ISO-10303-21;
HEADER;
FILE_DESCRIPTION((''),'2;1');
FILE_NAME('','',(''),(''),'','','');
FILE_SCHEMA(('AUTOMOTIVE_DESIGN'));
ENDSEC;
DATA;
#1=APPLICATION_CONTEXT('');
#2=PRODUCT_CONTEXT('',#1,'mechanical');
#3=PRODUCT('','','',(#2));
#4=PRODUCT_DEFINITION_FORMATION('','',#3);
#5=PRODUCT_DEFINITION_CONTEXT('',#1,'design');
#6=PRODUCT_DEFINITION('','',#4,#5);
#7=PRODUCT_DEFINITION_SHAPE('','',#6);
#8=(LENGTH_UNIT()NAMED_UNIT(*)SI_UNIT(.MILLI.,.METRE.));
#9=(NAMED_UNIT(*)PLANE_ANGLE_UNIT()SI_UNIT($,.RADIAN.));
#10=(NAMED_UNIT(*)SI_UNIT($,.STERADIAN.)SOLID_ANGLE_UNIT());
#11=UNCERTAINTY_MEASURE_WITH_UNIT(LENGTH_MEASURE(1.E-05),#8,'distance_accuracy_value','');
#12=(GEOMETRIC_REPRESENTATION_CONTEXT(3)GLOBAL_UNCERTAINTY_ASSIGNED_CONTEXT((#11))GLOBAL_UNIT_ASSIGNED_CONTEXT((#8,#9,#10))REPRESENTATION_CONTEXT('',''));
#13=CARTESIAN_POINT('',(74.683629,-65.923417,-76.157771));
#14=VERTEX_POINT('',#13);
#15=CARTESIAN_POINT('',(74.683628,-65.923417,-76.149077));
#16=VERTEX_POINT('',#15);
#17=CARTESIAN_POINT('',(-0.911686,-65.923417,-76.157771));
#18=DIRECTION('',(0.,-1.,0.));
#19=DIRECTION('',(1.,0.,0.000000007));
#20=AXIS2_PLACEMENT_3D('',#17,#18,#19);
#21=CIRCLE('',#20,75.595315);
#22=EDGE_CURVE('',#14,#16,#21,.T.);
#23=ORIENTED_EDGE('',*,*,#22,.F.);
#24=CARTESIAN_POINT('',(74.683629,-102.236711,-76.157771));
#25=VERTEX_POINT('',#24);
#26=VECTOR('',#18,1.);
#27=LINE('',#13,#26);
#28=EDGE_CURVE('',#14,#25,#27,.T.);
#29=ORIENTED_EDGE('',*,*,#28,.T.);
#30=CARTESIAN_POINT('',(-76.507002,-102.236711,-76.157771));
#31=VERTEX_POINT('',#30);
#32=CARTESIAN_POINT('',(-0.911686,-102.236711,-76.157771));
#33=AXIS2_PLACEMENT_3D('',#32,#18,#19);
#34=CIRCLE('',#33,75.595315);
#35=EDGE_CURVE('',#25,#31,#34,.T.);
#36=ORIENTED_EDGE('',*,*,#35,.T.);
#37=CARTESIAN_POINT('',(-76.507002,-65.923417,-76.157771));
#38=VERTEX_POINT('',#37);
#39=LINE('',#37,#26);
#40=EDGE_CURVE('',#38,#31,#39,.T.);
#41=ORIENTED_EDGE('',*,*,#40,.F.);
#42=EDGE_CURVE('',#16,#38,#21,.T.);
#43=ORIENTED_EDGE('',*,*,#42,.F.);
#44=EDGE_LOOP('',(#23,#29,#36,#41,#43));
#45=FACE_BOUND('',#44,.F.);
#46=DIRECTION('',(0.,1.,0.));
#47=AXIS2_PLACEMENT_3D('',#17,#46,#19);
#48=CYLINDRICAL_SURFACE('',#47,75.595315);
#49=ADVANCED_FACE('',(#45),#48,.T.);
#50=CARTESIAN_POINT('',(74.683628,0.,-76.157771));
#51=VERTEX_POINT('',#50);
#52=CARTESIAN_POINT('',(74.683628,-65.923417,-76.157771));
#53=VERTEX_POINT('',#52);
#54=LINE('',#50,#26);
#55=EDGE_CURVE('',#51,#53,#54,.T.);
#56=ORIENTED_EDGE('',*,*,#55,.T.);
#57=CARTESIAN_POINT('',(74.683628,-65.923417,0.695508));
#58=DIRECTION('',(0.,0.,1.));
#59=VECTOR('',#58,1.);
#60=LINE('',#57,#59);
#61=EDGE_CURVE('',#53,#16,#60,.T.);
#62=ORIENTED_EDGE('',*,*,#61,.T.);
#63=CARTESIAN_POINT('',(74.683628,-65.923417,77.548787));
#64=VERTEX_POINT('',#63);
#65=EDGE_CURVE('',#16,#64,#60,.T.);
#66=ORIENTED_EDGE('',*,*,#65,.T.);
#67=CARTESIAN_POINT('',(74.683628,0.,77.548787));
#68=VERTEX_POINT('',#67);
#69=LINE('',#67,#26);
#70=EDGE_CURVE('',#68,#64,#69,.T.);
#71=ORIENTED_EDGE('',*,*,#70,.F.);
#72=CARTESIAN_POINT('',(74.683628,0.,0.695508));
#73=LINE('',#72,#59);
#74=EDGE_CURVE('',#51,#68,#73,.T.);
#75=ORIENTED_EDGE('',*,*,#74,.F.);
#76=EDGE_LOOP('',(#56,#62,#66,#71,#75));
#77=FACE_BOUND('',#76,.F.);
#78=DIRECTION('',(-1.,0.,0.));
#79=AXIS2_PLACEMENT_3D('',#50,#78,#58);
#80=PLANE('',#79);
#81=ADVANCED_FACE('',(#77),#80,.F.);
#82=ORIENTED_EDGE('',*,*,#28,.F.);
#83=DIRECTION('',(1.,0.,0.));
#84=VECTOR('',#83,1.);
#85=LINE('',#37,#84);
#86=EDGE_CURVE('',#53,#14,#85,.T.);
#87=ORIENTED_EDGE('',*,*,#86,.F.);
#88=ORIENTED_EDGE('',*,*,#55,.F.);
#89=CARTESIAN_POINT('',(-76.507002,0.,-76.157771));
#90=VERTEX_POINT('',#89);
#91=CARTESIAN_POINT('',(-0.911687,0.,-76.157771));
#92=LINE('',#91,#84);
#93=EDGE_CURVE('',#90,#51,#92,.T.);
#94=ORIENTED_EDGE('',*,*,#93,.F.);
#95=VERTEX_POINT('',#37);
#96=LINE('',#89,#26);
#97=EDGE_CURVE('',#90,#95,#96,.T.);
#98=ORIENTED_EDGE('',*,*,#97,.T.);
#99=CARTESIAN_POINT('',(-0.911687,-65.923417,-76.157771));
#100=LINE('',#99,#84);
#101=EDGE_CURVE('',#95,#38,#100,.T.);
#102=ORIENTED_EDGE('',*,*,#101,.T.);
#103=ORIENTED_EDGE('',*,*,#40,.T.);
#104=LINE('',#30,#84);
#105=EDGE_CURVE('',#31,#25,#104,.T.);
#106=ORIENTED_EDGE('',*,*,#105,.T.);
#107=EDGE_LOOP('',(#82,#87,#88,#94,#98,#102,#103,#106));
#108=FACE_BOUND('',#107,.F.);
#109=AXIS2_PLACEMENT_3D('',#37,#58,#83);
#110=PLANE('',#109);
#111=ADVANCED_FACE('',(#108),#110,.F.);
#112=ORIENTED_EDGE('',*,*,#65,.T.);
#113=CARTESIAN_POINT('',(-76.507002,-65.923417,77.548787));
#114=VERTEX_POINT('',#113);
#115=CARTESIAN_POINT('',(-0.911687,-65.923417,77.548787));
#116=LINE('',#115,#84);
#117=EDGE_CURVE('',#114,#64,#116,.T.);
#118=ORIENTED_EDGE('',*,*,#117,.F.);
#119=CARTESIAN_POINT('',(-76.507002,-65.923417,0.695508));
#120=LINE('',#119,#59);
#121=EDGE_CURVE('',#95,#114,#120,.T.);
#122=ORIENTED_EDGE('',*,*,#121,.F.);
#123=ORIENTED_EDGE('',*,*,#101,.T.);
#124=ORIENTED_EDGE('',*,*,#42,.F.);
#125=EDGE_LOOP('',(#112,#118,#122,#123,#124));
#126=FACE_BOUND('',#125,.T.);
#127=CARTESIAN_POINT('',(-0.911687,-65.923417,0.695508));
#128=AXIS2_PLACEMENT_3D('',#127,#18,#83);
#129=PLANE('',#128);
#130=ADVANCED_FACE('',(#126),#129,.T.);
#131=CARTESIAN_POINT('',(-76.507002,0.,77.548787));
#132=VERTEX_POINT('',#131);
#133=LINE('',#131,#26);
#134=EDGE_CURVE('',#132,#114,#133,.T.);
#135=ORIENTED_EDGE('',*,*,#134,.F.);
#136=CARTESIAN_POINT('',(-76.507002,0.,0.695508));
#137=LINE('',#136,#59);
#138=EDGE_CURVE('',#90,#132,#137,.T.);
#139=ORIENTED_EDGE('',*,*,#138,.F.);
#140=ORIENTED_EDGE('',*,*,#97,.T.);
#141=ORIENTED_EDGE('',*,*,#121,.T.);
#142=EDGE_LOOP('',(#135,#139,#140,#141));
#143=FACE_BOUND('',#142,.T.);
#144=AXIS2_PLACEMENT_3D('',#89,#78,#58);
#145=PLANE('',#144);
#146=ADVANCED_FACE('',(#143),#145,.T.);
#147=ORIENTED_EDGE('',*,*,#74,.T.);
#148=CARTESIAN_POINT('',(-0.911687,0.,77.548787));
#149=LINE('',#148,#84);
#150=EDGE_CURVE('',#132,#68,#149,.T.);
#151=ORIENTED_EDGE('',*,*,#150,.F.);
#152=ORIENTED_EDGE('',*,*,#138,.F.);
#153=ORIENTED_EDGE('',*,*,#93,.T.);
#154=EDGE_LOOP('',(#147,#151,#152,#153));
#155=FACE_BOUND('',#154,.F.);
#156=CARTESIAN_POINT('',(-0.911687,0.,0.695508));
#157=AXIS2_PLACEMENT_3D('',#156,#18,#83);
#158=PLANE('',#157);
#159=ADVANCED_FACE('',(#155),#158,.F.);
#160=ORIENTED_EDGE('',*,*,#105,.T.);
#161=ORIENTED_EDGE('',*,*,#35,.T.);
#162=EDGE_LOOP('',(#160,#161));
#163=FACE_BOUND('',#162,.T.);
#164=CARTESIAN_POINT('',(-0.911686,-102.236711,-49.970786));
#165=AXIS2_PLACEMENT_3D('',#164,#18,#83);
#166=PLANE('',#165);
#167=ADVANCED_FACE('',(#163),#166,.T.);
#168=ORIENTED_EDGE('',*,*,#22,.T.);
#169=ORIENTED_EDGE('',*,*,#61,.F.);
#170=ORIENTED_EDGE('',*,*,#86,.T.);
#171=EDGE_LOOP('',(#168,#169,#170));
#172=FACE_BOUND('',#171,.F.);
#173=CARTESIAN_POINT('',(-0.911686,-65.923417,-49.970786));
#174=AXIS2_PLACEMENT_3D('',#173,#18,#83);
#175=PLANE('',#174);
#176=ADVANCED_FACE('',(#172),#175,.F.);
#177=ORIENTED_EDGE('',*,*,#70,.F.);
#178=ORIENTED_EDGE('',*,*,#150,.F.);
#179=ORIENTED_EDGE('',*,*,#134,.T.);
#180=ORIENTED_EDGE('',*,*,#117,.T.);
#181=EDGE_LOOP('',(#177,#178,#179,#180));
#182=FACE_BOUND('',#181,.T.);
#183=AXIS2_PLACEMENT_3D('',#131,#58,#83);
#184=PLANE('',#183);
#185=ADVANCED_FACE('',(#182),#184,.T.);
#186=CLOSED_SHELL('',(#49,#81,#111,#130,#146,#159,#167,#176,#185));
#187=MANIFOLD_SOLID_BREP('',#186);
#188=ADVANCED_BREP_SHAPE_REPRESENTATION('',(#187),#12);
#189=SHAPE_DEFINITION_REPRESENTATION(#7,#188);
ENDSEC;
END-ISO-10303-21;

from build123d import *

# Parameters (mm, degrees)
F0_W     = 151.190631
F0_H     = 153.706558
F1_DEPTH = 65.923417
F3_DEPTH = 36.313294


with BuildPart() as f1:
    # F0 (on Front) → F1 (new body)
    with BuildSketch(Plane.XZ):
        with Locations((-0.911687, 0.695508)):
            Rectangle(F0_W, F0_H)
    extrude(amount=F1_DEPTH)

    # F2 (on face) → F3 (join)
    with BuildSketch(Plane.XZ.offset(65.923417)):
        with BuildLine():
            Line((-76.507002, -76.157771), (74.683629, -76.157771))
            ThreePointArc((74.683629, -76.157771), (-0.911687, -0.562456), (-76.507002, -76.157771))
        make_face()
    extrude(amount=F3_DEPTH)


solid = f1.part
